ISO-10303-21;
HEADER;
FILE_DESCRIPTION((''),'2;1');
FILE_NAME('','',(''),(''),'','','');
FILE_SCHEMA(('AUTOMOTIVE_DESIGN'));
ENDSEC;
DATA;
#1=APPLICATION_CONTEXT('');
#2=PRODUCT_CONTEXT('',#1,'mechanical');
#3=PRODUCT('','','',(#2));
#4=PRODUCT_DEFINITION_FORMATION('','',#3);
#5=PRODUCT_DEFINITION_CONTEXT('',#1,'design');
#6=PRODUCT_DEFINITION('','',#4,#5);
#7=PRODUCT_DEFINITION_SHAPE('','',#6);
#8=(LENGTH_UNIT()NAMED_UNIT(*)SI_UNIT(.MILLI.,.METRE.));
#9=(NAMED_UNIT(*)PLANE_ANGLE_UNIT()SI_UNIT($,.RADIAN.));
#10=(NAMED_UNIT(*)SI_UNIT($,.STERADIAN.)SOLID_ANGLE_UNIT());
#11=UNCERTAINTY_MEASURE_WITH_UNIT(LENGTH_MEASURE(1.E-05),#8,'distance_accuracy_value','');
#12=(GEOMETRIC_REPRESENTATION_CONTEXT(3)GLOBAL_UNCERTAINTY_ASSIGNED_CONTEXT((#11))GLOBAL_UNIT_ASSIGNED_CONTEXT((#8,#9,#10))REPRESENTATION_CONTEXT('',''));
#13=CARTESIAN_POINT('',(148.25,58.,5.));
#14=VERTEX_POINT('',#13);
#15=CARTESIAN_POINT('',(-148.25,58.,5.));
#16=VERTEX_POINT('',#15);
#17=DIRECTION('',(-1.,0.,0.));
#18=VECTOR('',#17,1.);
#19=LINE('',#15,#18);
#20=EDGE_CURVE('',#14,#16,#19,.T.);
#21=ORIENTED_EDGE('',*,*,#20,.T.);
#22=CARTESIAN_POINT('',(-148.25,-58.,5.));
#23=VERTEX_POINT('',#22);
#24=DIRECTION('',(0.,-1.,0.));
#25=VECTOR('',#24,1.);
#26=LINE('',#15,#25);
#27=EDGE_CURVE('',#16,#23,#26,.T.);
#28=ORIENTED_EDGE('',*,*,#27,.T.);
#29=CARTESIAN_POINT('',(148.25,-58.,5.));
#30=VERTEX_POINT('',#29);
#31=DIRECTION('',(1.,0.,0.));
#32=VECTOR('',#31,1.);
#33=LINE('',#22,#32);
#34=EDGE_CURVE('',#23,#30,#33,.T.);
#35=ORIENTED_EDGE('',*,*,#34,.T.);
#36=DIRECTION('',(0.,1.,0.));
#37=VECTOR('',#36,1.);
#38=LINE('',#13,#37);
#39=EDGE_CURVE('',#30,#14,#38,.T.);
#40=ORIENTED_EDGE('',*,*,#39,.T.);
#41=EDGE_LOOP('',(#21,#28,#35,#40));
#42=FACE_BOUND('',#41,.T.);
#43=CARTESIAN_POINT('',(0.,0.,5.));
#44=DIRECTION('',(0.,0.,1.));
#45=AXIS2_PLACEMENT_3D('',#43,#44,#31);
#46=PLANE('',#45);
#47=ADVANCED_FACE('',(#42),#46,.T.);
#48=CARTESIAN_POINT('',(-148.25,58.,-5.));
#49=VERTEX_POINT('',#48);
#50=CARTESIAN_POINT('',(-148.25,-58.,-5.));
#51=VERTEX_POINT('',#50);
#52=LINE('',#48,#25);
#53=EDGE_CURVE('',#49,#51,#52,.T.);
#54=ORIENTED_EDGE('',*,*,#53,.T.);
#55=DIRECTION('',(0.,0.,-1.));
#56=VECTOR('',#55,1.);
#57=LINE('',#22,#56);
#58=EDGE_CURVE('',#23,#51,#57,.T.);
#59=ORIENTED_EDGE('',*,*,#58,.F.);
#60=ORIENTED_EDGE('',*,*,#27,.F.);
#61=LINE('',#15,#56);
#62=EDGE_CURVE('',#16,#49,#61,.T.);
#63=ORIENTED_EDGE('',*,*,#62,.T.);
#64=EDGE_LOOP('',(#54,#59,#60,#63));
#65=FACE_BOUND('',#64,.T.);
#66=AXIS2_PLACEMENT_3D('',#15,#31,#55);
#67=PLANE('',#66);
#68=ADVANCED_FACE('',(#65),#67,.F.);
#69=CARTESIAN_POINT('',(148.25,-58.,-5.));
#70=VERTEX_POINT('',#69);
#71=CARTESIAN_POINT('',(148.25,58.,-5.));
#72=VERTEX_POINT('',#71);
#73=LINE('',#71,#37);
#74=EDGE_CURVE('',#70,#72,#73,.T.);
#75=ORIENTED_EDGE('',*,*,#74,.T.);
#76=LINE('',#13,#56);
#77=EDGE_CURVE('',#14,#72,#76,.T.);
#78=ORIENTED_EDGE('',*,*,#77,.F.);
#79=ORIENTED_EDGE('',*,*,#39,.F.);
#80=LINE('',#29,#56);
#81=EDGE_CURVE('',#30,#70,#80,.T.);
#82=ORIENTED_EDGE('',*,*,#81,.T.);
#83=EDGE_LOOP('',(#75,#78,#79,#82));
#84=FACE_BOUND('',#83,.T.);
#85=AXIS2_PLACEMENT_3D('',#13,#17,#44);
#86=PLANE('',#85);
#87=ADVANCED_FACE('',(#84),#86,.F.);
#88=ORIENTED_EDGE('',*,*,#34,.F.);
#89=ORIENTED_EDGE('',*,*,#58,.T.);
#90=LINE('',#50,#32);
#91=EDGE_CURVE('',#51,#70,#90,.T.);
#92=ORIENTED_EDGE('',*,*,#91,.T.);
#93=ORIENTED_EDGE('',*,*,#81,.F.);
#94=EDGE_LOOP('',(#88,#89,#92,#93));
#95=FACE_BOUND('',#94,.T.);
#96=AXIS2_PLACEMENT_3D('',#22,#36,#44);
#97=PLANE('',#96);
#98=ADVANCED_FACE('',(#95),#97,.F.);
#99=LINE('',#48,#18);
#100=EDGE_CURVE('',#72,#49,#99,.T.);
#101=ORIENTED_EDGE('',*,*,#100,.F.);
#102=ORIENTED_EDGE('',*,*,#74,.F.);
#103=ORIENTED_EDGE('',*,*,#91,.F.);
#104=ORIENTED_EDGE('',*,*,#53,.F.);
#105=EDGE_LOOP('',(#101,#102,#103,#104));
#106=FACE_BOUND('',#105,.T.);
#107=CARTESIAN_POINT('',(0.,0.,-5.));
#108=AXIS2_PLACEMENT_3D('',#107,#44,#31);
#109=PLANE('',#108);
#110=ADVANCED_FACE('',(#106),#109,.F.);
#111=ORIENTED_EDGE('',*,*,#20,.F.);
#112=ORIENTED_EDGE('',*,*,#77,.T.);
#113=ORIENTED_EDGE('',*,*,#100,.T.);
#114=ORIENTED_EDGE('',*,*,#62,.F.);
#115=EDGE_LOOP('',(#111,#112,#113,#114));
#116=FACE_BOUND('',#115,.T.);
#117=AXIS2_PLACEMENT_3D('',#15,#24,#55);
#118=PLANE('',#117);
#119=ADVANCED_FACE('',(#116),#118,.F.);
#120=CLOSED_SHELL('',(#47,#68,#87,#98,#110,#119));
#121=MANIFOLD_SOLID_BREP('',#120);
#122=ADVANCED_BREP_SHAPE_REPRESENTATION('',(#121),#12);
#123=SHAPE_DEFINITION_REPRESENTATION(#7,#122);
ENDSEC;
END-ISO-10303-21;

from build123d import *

# Parameters (mm, degrees)
ESBO_O1_W                = 296.5
ESBO_O1_H                = 116
RESSALTO_EXTRUS_O1_DEPTH = 5


with BuildPart() as part:
    # Esboço1 → Ressalto-extrusão1 (new body, symmetric)
    with BuildSketch(Plane.XY):
        Rectangle(ESBO_O1_W, ESBO_O1_H)
    extrude(amount=RESSALTO_EXTRUS_O1_DEPTH, both=True)


solid = part.part
